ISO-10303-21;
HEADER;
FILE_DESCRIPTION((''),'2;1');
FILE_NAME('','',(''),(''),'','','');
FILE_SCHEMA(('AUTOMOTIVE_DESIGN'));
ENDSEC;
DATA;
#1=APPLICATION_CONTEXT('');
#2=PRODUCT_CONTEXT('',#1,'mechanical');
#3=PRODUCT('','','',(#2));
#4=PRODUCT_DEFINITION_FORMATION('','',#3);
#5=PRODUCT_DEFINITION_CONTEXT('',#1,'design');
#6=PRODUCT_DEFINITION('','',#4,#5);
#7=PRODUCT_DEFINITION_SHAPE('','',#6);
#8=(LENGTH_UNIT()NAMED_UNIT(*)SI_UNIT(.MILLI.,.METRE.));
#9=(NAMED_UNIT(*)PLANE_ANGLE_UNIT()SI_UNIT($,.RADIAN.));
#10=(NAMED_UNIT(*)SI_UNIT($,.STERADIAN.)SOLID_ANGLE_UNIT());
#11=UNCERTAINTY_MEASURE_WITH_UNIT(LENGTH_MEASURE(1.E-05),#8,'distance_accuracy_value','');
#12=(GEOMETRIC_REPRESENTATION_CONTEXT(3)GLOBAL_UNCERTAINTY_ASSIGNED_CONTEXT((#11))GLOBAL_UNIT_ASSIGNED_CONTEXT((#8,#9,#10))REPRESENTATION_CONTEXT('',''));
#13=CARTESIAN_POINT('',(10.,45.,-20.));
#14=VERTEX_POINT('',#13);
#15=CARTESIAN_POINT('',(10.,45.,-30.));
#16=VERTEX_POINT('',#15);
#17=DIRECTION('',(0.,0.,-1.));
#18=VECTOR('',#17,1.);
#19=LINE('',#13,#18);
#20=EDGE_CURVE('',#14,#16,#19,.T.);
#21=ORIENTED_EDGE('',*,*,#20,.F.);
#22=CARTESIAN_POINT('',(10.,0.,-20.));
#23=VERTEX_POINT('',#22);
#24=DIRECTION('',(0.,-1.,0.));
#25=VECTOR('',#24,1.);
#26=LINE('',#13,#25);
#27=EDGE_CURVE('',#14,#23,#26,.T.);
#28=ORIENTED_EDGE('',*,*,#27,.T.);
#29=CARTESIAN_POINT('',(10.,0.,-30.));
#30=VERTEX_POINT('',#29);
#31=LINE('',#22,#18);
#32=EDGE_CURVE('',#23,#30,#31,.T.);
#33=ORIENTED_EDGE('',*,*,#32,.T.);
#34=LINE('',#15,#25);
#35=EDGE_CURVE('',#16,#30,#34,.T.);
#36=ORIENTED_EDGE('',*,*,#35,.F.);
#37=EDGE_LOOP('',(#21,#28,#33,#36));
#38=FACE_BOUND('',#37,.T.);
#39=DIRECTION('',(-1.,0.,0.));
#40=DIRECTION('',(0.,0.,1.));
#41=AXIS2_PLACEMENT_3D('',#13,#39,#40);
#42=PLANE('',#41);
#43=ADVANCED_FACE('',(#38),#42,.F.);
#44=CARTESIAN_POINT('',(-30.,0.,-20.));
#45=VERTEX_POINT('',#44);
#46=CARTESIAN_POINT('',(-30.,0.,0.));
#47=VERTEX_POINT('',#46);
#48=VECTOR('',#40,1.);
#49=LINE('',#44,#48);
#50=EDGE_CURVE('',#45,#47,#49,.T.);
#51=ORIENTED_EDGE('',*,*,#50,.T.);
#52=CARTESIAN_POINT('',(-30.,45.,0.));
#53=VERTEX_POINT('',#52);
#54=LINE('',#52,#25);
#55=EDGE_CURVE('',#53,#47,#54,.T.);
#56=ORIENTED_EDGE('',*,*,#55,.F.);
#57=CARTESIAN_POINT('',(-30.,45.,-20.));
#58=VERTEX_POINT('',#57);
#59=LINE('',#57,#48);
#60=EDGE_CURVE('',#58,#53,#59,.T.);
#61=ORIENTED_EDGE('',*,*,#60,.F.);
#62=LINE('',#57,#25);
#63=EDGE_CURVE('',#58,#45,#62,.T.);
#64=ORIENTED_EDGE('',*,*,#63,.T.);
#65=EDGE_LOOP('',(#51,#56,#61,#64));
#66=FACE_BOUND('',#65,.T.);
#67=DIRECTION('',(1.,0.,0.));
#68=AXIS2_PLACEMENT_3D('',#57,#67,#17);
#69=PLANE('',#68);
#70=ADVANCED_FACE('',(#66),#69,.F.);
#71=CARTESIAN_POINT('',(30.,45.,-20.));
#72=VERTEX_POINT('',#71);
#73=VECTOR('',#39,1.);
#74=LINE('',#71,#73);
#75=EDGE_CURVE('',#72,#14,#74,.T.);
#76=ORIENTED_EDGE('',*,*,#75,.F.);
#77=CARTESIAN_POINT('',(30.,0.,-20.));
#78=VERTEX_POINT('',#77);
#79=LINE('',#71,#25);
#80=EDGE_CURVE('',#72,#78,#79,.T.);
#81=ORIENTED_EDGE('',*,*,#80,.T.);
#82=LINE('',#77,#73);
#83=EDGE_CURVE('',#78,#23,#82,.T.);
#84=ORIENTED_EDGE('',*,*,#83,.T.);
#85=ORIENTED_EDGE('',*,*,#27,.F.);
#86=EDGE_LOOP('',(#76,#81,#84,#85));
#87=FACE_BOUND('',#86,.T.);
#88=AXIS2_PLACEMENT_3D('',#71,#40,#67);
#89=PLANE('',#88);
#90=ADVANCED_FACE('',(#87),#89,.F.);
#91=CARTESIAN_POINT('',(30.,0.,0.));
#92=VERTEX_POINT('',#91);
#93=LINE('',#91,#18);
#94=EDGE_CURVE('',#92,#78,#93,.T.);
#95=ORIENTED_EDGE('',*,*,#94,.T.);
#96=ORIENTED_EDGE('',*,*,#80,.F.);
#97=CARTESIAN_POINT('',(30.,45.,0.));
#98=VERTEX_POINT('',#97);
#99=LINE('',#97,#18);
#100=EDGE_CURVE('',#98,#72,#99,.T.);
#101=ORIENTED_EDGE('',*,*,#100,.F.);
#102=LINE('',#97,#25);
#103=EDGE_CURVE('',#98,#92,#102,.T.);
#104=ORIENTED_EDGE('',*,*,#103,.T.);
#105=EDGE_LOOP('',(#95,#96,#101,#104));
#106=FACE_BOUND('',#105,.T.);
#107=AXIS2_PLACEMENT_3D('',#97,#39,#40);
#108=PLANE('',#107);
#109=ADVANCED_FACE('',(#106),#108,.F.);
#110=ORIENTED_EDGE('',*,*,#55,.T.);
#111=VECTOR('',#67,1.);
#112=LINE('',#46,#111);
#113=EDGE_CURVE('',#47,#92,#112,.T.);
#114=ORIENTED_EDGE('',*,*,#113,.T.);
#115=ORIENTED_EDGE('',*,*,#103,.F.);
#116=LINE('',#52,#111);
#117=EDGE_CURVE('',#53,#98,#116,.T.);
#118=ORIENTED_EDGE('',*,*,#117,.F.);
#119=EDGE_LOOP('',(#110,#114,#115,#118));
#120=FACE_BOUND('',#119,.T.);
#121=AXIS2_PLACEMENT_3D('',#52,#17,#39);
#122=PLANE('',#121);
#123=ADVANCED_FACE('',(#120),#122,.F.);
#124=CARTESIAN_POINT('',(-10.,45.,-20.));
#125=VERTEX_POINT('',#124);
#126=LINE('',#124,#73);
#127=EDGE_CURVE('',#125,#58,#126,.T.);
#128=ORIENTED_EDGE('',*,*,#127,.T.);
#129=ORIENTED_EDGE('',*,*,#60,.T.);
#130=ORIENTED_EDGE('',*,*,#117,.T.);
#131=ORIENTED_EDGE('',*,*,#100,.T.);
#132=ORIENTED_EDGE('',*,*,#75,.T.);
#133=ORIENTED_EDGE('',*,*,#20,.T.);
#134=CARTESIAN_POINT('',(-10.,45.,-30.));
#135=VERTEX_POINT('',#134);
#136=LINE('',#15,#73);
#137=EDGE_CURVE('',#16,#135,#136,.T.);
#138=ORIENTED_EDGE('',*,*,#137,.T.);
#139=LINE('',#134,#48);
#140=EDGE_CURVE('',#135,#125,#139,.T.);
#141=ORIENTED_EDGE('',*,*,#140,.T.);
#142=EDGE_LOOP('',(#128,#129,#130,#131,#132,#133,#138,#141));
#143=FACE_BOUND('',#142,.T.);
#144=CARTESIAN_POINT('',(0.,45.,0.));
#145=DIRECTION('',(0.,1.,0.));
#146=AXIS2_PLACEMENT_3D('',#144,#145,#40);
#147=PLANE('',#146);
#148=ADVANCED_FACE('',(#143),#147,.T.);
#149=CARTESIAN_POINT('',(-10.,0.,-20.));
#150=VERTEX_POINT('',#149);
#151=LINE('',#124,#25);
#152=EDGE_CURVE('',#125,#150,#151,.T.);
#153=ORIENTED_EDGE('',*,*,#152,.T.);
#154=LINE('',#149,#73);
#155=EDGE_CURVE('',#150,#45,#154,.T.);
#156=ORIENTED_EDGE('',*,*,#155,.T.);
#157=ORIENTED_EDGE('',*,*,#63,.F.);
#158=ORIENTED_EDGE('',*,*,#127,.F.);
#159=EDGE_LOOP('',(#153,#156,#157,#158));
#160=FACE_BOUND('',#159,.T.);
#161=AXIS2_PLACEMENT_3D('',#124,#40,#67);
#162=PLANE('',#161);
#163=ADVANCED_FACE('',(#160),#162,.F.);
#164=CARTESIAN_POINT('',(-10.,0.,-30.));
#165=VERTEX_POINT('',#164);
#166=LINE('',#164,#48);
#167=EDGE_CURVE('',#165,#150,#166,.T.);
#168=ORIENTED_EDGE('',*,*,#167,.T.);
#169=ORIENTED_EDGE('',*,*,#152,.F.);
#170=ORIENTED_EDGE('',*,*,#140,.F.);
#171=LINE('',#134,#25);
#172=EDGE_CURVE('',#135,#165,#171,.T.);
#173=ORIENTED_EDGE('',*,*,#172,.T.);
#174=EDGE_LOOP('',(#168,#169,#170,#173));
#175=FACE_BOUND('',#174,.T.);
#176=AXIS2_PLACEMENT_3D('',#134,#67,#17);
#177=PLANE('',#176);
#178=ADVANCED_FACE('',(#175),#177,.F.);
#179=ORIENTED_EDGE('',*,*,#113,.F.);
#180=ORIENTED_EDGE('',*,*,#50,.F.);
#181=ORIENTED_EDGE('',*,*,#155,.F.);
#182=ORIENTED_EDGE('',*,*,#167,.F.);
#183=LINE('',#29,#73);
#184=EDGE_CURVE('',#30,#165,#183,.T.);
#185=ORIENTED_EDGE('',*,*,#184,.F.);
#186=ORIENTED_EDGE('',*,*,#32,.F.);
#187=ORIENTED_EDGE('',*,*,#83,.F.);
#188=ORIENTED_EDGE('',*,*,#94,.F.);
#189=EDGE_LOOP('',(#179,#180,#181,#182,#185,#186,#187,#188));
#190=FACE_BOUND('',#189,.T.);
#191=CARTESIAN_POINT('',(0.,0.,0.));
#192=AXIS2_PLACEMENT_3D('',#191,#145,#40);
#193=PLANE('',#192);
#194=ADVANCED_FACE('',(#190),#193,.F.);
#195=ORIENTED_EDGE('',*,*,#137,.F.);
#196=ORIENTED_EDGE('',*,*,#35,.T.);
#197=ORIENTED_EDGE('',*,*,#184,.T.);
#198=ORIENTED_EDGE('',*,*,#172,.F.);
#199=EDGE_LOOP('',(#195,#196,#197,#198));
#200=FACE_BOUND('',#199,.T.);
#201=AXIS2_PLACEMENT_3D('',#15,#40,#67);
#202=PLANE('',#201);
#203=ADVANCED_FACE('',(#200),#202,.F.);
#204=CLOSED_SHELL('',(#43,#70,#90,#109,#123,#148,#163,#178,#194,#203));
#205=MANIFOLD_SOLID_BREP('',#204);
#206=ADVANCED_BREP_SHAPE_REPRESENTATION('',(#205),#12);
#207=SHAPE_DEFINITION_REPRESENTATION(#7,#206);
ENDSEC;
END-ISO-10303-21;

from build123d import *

# Parameters (mm, degrees)
BOSS_EXTRUDE1_DEPTH = 45


with BuildPart() as part:
    # Sketch1 → Boss-Extrude1 (new body)
    with BuildSketch(Plane(origin=(0, 0, 0), x_dir=(1, 0, 0), z_dir=(0, 1, 0))):
        Polygon((-30, 0), (30, 0), (30, 20), (10, 20), (10, 30), (-10, 30), (-10, 20), (-30, 20), align=None)
    extrude(amount=BOSS_EXTRUDE1_DEPTH)


solid = part.part
